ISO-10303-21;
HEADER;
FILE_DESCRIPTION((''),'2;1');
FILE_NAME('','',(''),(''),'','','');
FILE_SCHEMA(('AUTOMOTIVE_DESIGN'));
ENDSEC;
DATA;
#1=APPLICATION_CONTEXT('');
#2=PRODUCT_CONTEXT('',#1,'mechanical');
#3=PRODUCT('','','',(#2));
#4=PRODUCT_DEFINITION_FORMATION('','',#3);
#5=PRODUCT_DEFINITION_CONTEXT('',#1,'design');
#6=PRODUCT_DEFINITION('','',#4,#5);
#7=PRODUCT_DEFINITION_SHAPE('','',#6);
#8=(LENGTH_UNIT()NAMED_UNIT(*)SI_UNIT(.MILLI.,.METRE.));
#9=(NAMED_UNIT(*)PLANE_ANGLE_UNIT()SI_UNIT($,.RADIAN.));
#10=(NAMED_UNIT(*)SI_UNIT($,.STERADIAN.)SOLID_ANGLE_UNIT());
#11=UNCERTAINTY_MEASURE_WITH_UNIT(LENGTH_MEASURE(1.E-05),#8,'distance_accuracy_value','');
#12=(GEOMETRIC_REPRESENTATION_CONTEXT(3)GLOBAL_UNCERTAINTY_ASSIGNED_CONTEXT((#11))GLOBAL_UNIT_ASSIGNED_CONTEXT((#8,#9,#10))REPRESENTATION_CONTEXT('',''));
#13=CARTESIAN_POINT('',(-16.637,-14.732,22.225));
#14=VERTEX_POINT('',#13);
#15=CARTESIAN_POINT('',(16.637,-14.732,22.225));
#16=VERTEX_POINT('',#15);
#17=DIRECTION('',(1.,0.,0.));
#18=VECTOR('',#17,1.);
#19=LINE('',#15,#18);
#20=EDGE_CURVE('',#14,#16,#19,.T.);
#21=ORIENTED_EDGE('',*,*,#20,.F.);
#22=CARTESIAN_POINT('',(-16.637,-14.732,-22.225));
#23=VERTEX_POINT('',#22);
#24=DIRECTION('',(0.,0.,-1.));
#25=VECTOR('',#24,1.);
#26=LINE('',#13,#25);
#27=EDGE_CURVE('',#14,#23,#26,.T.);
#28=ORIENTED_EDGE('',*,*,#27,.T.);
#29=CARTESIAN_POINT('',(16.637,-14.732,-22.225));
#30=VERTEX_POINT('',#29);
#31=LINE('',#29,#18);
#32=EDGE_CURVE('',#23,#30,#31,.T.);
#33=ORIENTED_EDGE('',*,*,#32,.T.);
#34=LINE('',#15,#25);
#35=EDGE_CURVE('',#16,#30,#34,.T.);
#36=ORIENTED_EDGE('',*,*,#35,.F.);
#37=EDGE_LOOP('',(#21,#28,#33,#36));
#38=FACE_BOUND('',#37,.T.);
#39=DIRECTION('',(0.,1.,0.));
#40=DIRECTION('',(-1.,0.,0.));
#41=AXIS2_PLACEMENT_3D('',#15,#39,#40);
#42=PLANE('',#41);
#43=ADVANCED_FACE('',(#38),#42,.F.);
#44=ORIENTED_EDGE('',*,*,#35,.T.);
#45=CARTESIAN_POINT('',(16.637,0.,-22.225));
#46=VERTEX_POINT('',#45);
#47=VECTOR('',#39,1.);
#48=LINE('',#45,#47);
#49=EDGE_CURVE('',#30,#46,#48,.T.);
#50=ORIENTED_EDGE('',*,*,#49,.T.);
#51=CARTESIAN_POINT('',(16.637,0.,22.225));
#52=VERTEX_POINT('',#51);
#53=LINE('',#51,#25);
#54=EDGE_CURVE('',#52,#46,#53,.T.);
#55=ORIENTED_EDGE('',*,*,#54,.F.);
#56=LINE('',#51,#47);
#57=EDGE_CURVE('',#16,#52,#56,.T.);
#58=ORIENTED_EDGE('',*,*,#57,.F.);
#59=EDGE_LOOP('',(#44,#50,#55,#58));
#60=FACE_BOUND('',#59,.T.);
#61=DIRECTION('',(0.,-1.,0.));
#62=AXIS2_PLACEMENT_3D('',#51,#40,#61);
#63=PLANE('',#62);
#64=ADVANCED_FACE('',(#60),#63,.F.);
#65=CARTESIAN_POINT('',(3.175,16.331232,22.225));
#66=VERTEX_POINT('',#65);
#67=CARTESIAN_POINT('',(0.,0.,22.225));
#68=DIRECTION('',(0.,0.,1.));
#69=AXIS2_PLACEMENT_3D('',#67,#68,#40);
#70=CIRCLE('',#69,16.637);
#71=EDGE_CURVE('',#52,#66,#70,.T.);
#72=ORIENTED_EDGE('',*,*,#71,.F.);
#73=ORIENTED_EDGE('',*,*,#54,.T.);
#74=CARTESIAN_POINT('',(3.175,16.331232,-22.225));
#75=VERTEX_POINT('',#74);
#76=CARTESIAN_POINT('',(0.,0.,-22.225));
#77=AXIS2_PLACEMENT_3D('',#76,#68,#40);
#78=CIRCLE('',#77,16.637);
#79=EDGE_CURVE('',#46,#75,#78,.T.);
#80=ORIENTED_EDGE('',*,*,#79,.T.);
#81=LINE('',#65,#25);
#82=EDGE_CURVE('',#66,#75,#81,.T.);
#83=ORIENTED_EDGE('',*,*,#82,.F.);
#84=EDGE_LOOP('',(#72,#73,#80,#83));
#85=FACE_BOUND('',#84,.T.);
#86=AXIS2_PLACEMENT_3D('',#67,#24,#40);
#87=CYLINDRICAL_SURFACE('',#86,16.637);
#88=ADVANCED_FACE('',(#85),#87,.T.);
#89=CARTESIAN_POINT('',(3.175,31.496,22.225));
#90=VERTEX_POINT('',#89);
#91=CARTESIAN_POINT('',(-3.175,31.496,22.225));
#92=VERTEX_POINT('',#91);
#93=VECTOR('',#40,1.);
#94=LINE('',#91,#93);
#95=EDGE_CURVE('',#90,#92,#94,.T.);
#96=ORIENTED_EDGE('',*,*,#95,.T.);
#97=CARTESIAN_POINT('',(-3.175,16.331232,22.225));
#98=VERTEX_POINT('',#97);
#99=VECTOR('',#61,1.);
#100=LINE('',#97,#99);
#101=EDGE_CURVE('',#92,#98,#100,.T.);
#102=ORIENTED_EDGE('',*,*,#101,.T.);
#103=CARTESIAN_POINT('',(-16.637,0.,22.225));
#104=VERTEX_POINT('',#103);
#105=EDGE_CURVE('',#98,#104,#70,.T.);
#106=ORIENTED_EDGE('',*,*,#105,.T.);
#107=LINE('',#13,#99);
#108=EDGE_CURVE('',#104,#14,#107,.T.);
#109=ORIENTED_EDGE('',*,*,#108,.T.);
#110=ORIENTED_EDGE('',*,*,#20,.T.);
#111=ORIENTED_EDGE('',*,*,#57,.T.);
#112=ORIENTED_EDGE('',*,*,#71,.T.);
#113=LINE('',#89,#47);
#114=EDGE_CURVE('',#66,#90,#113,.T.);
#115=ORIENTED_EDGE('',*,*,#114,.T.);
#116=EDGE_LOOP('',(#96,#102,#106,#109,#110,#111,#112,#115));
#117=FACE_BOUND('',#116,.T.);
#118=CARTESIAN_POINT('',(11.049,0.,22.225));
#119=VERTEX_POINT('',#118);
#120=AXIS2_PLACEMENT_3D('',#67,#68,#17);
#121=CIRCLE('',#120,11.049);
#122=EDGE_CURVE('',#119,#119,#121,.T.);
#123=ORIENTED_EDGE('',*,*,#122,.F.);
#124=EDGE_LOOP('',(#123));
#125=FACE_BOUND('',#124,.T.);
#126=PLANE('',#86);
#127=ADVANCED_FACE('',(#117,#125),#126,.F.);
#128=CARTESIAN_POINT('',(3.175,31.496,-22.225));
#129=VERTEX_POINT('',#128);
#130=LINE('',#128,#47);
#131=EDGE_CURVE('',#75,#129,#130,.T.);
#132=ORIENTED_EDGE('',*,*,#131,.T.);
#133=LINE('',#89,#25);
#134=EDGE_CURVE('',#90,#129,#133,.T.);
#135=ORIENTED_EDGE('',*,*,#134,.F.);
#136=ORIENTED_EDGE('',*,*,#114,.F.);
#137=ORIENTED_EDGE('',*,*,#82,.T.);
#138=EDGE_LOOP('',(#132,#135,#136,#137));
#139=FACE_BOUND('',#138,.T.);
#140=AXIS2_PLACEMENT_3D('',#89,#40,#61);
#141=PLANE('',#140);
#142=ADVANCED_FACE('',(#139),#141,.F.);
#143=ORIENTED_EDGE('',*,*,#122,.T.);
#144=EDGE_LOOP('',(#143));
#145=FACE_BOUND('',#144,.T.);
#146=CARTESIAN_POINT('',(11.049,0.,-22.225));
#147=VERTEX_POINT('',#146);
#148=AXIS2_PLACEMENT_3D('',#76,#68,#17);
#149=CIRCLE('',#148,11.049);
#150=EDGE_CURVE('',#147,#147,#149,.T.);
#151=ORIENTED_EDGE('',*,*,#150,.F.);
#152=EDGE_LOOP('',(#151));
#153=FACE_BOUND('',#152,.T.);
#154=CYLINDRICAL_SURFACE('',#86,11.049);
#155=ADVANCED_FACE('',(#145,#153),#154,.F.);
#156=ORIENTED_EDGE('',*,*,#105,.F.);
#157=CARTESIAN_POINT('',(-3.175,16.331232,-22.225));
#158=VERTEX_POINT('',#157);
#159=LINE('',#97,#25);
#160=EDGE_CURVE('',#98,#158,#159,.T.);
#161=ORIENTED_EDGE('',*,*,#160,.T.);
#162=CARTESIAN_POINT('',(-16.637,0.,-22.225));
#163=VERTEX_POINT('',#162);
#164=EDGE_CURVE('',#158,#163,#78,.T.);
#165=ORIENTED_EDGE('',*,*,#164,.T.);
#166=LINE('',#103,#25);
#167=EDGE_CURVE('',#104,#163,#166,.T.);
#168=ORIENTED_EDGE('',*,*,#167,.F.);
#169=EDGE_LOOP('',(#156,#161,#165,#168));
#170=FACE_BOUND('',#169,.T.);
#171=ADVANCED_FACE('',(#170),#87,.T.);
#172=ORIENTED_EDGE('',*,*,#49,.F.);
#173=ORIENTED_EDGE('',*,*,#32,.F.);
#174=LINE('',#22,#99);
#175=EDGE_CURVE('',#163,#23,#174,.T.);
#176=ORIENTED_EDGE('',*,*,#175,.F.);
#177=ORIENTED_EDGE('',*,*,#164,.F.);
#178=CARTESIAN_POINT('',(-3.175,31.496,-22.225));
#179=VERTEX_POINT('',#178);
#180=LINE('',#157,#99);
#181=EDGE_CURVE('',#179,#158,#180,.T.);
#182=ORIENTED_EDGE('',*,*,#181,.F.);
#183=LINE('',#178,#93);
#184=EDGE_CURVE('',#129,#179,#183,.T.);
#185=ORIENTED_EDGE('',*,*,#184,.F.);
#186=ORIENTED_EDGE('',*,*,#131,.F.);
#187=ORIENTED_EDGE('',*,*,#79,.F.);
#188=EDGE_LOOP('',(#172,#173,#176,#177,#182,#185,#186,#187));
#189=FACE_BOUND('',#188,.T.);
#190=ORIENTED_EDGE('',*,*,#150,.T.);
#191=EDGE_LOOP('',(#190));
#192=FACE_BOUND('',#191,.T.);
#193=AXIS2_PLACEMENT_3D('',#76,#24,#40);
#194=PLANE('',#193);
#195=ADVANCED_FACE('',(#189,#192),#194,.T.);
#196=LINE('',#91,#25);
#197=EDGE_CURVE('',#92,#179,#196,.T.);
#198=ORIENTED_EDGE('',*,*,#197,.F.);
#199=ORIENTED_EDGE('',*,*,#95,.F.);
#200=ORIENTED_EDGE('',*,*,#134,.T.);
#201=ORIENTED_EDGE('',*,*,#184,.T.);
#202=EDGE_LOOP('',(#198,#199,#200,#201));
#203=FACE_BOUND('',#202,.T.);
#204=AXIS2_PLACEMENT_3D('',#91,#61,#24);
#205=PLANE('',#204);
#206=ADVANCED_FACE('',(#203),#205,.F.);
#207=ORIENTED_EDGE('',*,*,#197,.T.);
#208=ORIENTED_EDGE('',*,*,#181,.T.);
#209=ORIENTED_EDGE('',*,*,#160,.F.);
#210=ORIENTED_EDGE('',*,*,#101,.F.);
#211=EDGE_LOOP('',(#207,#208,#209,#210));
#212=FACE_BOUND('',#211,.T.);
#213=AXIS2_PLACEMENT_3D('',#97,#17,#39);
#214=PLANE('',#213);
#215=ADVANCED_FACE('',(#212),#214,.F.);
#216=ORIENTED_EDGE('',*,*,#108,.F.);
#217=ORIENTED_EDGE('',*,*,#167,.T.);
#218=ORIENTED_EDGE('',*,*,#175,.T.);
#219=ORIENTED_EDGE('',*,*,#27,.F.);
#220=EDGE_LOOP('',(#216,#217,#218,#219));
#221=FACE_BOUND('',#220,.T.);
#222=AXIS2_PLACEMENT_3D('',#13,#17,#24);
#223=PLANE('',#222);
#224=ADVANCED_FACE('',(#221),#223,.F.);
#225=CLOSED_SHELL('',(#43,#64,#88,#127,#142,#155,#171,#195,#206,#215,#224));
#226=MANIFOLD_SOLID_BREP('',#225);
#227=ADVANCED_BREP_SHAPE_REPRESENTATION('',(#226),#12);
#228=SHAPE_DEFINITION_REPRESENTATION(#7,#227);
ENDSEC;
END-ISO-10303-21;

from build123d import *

# Parameters (mm, degrees)
SKETCH1_R           = 11.049
BOSS_EXTRUDE1_DEPTH = 22.225


with BuildPart() as part:
    # Sketch1 → Boss-Extrude1 (new, symmetric)
    with BuildSketch(Plane.XY):
        with BuildLine():
            Line((16.637, -14.732), (-16.637, -14.732))
            Line((-16.637, -14.732), (-16.637, 0))
            ThreePointArc((-16.637, 0), (-12.83768367, 10.582232609), (-3.175, 16.331232164))
            Line((-3.175, 16.331232164), (-3.175, 31.496))
            Line((-3.175, 31.496), (3.175, 31.496))
            Line((3.175, 31.496), (3.175, 16.331232164))
            ThreePointArc((3.175, 16.331232164), (12.83768367, 10.582232609), (16.637, 0))
            Line((16.637, 0), (16.637, -14.732))
        make_face()
        Circle(SKETCH1_R, mode=Mode.SUBTRACT)
    extrude(amount=BOSS_EXTRUDE1_DEPTH, both=True)


solid = part.part
